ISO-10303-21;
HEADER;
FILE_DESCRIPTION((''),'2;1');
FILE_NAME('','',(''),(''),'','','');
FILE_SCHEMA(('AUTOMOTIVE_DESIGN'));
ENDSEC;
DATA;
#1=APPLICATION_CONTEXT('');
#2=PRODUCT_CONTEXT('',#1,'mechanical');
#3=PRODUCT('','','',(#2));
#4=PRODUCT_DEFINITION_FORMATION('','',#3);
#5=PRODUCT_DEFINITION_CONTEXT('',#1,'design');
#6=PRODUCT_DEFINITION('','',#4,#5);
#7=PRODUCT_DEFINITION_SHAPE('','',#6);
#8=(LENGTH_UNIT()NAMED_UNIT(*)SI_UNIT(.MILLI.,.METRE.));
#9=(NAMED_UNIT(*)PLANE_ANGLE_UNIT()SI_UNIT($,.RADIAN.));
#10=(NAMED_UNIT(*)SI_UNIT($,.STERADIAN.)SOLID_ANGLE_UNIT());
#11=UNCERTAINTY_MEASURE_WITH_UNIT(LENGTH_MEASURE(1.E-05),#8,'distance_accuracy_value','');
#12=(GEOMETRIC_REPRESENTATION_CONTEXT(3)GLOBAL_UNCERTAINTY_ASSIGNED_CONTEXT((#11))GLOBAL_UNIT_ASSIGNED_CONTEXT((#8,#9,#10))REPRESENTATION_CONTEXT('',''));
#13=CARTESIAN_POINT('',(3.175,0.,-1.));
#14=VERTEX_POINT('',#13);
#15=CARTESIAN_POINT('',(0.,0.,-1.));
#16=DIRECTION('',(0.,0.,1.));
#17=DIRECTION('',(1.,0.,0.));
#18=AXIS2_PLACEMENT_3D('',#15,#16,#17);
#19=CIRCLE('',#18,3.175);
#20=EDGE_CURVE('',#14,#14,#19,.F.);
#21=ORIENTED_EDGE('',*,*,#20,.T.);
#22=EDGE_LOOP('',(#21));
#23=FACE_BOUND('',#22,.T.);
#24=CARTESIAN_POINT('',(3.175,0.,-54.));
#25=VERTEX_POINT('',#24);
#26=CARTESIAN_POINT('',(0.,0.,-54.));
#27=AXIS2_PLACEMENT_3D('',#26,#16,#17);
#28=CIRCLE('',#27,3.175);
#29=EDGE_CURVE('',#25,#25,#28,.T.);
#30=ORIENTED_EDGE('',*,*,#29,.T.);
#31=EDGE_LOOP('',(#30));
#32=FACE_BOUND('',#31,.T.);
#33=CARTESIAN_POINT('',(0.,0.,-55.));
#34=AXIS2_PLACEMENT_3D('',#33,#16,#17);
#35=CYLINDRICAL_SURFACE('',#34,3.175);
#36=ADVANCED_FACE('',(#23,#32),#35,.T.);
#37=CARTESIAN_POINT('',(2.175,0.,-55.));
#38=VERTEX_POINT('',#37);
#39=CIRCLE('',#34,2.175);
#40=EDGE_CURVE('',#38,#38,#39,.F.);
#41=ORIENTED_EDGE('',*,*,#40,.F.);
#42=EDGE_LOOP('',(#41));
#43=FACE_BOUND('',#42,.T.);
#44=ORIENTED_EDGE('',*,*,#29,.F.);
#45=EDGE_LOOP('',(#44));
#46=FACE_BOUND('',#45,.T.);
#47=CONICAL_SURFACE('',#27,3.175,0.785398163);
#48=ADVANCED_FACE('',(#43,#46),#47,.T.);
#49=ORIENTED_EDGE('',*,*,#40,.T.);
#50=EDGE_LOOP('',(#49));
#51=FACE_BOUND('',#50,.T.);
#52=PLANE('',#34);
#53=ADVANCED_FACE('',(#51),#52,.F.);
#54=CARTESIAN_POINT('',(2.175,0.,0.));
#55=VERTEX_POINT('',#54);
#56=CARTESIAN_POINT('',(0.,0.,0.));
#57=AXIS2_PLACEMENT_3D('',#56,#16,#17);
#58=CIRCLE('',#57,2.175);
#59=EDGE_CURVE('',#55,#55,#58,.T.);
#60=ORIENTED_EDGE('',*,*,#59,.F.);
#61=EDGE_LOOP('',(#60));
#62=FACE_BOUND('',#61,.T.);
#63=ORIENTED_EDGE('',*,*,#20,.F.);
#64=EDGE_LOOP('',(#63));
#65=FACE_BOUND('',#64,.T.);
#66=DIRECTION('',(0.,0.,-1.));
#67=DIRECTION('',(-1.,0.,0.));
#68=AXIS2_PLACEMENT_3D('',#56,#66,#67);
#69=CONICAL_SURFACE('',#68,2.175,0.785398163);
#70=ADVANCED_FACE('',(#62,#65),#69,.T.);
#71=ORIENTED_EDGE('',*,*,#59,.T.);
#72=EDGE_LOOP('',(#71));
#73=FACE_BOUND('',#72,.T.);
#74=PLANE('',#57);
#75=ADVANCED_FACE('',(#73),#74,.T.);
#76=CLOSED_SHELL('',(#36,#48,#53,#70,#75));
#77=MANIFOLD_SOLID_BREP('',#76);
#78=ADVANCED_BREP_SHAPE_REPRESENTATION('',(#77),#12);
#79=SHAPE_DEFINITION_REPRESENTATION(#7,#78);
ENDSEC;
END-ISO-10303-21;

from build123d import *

# Parameters (mm, degrees)
SKETCH1_R           = 3.175
BOSS_EXTRUDE1_DEPTH = 55
CHAMFER1_SIZE       = 1


with BuildPart() as part:
    # Sketch1 → Boss-Extrude1 (new body)
    with BuildSketch(Plane.XY):
        Circle(SKETCH1_R)
    extrude(amount=-BOSS_EXTRUDE1_DEPTH)

    # Chamfer1
    chamfer1_edges = [part.edges().sort_by_distance(p)[0] for p in [
        (-3.175, 0, 0),
        (-3.175, 0, -55),
    ]]
    chamfer(chamfer1_edges, length=CHAMFER1_SIZE)


solid = part.part
